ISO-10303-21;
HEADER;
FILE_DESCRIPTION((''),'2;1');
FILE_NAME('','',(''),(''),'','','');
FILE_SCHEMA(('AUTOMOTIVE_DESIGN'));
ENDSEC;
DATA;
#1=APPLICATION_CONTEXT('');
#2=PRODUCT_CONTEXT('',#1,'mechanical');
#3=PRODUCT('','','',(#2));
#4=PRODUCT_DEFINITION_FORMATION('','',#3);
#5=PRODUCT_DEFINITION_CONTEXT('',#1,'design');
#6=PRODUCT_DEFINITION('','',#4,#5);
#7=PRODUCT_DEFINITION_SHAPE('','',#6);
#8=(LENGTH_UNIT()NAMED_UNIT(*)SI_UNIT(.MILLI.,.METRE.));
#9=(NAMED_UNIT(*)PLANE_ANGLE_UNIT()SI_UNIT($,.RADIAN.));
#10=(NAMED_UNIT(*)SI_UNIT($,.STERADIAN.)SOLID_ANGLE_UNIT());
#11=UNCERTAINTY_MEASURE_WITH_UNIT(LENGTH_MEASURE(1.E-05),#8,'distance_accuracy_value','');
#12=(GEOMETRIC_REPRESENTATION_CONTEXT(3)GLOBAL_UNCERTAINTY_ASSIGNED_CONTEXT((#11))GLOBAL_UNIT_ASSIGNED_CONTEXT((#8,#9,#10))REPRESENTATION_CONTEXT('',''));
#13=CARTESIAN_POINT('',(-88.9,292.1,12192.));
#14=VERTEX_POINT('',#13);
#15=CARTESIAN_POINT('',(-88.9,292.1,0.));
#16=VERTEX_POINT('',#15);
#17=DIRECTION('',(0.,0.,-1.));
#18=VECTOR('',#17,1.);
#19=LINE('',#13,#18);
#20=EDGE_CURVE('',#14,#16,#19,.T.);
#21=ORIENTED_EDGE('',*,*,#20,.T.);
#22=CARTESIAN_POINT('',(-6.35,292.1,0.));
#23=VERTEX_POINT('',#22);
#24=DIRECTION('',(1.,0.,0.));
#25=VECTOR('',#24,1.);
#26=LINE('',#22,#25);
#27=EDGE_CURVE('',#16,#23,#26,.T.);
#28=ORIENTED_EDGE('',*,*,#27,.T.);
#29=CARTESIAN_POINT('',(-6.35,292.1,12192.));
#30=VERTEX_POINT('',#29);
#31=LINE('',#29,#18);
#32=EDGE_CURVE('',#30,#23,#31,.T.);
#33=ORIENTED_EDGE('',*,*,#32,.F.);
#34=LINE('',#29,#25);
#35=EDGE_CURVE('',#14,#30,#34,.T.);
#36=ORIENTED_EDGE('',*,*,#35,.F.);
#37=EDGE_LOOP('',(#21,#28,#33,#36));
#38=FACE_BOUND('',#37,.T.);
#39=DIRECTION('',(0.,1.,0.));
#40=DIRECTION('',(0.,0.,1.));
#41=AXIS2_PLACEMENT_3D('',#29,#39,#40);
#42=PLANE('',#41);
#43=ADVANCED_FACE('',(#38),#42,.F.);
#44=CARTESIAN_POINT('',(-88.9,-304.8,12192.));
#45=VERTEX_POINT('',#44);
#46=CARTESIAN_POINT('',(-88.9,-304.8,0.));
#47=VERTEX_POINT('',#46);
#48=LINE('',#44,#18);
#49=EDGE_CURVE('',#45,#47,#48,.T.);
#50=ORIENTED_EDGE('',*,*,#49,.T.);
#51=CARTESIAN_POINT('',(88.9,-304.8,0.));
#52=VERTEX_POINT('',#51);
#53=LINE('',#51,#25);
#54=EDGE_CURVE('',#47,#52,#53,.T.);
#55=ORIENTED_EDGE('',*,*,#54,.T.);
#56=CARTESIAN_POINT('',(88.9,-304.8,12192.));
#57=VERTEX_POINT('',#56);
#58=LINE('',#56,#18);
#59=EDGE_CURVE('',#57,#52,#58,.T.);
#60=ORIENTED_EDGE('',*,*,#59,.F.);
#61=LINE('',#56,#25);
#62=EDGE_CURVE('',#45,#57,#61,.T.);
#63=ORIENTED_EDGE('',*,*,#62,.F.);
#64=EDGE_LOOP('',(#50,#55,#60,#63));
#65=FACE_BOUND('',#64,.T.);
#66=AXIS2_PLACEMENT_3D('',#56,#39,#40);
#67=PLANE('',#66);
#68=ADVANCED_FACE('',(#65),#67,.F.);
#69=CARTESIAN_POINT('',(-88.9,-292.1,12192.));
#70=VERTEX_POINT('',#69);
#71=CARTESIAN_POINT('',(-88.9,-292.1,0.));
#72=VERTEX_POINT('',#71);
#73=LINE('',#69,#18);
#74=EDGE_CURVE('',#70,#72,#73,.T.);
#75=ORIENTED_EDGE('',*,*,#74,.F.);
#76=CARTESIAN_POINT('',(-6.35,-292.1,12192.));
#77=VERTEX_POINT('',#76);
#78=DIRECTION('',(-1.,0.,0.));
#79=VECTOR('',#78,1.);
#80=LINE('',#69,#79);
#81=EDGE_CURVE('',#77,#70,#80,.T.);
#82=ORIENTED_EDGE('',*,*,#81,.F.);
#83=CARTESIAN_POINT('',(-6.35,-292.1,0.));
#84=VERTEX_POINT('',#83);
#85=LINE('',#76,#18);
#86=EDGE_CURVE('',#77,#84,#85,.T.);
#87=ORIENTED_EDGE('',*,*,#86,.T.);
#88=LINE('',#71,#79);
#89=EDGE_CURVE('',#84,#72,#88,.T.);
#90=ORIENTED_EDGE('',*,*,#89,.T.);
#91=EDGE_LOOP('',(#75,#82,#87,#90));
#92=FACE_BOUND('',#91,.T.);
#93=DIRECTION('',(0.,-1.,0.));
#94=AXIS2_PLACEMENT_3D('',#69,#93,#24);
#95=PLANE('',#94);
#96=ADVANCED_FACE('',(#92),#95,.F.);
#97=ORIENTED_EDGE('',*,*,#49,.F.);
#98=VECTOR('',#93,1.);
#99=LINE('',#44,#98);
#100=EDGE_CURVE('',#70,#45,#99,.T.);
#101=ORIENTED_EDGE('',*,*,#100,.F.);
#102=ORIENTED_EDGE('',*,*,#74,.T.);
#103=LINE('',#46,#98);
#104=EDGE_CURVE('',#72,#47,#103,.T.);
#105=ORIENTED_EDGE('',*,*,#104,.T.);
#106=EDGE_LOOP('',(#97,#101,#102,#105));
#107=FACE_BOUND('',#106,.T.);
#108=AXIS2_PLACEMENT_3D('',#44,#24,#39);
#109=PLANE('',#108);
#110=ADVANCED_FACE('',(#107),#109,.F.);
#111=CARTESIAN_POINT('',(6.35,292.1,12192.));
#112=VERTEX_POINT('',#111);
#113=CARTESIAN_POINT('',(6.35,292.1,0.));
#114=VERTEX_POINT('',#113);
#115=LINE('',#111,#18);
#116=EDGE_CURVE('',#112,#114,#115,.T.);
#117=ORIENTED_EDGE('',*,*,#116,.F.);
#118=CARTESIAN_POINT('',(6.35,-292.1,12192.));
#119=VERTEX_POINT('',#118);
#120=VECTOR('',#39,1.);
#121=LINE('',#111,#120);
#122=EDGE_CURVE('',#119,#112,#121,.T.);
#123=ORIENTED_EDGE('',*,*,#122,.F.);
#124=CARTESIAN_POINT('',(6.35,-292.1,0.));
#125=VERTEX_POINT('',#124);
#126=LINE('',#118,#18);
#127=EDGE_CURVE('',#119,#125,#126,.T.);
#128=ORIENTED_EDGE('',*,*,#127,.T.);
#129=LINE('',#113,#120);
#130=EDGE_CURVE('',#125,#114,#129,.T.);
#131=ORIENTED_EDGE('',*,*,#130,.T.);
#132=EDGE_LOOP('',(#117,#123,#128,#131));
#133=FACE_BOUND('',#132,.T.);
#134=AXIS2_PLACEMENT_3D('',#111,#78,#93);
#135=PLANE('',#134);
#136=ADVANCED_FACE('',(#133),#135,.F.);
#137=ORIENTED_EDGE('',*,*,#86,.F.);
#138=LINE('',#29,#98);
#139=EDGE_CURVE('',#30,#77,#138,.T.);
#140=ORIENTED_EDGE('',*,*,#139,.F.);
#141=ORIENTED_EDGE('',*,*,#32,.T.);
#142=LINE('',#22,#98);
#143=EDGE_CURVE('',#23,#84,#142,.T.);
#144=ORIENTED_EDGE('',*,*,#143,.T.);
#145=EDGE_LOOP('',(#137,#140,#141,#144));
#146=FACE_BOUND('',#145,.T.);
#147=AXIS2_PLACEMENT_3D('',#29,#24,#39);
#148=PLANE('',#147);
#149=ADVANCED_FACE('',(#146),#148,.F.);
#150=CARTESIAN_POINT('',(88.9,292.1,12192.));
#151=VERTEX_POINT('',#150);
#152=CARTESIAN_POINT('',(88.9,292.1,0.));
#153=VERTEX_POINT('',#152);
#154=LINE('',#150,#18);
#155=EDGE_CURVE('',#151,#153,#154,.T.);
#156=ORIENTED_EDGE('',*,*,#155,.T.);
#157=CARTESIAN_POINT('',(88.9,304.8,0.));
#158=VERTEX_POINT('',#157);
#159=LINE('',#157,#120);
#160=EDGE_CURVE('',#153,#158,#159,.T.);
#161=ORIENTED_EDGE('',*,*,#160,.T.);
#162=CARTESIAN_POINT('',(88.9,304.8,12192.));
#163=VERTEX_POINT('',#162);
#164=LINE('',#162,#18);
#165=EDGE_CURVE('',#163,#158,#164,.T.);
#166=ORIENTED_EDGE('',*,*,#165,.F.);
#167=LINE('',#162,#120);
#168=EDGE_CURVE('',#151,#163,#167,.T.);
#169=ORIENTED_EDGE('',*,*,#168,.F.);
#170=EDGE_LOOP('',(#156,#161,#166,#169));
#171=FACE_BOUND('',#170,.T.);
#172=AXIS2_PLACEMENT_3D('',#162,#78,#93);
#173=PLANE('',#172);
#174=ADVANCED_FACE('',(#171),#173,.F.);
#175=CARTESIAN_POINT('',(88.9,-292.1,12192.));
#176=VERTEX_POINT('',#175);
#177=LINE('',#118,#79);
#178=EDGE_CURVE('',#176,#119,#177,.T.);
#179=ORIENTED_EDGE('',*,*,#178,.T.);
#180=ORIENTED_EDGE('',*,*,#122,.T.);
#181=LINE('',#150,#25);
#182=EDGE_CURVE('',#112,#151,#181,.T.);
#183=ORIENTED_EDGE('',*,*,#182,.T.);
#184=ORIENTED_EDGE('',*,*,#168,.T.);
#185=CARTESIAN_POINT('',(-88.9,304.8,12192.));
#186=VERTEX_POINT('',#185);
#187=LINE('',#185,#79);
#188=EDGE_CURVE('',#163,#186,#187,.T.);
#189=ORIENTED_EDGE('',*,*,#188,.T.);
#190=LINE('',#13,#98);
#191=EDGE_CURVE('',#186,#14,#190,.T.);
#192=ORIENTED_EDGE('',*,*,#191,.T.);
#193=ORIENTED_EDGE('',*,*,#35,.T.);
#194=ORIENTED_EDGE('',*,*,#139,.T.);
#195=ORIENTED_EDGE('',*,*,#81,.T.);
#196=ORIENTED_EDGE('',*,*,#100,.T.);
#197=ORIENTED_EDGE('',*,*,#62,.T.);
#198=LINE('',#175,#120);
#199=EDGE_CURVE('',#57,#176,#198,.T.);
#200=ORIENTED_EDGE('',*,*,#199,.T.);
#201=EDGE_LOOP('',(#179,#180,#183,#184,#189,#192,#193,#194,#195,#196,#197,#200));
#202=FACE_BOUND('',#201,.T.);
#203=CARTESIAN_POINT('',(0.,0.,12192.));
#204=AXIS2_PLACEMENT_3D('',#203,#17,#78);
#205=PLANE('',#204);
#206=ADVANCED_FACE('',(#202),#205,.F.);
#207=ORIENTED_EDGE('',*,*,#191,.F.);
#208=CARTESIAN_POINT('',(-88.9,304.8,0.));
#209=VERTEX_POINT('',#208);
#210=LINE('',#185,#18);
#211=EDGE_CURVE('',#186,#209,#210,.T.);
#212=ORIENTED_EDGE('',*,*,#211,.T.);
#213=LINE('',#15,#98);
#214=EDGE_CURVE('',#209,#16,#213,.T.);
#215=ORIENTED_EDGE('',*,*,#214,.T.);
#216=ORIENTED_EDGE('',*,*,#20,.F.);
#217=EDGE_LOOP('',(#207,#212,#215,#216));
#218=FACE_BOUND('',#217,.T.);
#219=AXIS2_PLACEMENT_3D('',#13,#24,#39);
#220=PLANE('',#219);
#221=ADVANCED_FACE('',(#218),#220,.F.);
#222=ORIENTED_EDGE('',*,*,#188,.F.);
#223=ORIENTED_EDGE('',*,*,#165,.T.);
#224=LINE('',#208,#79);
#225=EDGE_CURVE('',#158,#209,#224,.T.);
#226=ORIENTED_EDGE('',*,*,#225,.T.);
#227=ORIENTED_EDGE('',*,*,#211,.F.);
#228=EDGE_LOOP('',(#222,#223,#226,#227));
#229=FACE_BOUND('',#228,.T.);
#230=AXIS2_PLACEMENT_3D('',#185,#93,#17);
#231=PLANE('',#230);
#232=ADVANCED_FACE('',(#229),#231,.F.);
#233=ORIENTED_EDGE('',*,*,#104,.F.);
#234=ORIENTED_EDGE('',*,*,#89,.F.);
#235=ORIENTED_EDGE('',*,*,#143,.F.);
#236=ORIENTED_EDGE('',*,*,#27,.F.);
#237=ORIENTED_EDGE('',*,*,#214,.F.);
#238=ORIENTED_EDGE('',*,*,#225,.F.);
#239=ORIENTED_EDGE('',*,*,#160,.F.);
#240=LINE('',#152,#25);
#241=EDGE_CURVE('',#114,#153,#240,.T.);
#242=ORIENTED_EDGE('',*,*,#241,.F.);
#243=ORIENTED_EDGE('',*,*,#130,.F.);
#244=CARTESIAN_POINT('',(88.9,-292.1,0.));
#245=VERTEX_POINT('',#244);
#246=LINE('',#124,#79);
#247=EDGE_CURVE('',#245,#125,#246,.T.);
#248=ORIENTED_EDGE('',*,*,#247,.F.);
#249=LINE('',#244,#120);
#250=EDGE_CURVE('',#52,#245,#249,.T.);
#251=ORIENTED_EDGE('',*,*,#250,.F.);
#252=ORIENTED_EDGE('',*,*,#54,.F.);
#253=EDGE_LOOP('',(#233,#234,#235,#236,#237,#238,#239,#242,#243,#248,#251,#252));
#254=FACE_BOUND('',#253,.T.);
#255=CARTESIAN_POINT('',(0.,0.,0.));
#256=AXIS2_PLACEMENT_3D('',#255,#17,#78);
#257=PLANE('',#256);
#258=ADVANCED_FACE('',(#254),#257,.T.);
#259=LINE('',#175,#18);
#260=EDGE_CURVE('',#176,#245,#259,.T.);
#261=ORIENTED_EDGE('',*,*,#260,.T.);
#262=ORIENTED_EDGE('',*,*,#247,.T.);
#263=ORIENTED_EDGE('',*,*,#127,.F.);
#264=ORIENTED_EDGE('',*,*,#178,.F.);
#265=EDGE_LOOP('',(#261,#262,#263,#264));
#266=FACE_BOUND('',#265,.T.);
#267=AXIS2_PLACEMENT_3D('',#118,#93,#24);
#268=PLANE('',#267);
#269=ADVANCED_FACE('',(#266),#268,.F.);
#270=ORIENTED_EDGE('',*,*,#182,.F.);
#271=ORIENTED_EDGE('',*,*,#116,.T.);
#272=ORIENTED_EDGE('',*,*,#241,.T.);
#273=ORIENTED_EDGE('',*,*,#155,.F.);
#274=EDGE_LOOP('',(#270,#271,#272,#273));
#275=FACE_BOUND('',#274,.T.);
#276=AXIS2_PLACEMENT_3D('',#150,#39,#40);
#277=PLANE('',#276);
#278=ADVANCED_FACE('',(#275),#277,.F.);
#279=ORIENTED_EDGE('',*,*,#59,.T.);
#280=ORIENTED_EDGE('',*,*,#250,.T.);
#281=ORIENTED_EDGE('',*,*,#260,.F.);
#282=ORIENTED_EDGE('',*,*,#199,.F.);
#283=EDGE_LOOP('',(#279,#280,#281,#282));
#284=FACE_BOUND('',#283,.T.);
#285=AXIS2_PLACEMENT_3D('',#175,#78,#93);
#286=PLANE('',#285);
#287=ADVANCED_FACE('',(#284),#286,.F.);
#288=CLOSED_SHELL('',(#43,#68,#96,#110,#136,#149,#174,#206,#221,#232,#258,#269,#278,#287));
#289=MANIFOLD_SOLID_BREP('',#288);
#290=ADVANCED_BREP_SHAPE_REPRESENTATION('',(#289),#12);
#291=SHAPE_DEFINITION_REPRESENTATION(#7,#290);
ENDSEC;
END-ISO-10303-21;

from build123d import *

# Parameters (mm, degrees)
BOSS_EXTRUDE1_DEPTH = 12192


with BuildPart() as part:
    # Sketch1 → Boss-Extrude1 (new body)
    with BuildSketch(Plane.XY):
        Polygon((-6.35, 292.1), (-6.35, -292.1), (-88.9, -292.1), (-88.9, -304.8), (88.9, -304.8), (88.9, -292.1), (6.35, -292.1), (6.35, 292.1), (88.9, 292.1), (88.9, 304.8), (-88.9, 304.8), (-88.9, 292.1), align=None)
    extrude(amount=BOSS_EXTRUDE1_DEPTH)


solid = part.part
